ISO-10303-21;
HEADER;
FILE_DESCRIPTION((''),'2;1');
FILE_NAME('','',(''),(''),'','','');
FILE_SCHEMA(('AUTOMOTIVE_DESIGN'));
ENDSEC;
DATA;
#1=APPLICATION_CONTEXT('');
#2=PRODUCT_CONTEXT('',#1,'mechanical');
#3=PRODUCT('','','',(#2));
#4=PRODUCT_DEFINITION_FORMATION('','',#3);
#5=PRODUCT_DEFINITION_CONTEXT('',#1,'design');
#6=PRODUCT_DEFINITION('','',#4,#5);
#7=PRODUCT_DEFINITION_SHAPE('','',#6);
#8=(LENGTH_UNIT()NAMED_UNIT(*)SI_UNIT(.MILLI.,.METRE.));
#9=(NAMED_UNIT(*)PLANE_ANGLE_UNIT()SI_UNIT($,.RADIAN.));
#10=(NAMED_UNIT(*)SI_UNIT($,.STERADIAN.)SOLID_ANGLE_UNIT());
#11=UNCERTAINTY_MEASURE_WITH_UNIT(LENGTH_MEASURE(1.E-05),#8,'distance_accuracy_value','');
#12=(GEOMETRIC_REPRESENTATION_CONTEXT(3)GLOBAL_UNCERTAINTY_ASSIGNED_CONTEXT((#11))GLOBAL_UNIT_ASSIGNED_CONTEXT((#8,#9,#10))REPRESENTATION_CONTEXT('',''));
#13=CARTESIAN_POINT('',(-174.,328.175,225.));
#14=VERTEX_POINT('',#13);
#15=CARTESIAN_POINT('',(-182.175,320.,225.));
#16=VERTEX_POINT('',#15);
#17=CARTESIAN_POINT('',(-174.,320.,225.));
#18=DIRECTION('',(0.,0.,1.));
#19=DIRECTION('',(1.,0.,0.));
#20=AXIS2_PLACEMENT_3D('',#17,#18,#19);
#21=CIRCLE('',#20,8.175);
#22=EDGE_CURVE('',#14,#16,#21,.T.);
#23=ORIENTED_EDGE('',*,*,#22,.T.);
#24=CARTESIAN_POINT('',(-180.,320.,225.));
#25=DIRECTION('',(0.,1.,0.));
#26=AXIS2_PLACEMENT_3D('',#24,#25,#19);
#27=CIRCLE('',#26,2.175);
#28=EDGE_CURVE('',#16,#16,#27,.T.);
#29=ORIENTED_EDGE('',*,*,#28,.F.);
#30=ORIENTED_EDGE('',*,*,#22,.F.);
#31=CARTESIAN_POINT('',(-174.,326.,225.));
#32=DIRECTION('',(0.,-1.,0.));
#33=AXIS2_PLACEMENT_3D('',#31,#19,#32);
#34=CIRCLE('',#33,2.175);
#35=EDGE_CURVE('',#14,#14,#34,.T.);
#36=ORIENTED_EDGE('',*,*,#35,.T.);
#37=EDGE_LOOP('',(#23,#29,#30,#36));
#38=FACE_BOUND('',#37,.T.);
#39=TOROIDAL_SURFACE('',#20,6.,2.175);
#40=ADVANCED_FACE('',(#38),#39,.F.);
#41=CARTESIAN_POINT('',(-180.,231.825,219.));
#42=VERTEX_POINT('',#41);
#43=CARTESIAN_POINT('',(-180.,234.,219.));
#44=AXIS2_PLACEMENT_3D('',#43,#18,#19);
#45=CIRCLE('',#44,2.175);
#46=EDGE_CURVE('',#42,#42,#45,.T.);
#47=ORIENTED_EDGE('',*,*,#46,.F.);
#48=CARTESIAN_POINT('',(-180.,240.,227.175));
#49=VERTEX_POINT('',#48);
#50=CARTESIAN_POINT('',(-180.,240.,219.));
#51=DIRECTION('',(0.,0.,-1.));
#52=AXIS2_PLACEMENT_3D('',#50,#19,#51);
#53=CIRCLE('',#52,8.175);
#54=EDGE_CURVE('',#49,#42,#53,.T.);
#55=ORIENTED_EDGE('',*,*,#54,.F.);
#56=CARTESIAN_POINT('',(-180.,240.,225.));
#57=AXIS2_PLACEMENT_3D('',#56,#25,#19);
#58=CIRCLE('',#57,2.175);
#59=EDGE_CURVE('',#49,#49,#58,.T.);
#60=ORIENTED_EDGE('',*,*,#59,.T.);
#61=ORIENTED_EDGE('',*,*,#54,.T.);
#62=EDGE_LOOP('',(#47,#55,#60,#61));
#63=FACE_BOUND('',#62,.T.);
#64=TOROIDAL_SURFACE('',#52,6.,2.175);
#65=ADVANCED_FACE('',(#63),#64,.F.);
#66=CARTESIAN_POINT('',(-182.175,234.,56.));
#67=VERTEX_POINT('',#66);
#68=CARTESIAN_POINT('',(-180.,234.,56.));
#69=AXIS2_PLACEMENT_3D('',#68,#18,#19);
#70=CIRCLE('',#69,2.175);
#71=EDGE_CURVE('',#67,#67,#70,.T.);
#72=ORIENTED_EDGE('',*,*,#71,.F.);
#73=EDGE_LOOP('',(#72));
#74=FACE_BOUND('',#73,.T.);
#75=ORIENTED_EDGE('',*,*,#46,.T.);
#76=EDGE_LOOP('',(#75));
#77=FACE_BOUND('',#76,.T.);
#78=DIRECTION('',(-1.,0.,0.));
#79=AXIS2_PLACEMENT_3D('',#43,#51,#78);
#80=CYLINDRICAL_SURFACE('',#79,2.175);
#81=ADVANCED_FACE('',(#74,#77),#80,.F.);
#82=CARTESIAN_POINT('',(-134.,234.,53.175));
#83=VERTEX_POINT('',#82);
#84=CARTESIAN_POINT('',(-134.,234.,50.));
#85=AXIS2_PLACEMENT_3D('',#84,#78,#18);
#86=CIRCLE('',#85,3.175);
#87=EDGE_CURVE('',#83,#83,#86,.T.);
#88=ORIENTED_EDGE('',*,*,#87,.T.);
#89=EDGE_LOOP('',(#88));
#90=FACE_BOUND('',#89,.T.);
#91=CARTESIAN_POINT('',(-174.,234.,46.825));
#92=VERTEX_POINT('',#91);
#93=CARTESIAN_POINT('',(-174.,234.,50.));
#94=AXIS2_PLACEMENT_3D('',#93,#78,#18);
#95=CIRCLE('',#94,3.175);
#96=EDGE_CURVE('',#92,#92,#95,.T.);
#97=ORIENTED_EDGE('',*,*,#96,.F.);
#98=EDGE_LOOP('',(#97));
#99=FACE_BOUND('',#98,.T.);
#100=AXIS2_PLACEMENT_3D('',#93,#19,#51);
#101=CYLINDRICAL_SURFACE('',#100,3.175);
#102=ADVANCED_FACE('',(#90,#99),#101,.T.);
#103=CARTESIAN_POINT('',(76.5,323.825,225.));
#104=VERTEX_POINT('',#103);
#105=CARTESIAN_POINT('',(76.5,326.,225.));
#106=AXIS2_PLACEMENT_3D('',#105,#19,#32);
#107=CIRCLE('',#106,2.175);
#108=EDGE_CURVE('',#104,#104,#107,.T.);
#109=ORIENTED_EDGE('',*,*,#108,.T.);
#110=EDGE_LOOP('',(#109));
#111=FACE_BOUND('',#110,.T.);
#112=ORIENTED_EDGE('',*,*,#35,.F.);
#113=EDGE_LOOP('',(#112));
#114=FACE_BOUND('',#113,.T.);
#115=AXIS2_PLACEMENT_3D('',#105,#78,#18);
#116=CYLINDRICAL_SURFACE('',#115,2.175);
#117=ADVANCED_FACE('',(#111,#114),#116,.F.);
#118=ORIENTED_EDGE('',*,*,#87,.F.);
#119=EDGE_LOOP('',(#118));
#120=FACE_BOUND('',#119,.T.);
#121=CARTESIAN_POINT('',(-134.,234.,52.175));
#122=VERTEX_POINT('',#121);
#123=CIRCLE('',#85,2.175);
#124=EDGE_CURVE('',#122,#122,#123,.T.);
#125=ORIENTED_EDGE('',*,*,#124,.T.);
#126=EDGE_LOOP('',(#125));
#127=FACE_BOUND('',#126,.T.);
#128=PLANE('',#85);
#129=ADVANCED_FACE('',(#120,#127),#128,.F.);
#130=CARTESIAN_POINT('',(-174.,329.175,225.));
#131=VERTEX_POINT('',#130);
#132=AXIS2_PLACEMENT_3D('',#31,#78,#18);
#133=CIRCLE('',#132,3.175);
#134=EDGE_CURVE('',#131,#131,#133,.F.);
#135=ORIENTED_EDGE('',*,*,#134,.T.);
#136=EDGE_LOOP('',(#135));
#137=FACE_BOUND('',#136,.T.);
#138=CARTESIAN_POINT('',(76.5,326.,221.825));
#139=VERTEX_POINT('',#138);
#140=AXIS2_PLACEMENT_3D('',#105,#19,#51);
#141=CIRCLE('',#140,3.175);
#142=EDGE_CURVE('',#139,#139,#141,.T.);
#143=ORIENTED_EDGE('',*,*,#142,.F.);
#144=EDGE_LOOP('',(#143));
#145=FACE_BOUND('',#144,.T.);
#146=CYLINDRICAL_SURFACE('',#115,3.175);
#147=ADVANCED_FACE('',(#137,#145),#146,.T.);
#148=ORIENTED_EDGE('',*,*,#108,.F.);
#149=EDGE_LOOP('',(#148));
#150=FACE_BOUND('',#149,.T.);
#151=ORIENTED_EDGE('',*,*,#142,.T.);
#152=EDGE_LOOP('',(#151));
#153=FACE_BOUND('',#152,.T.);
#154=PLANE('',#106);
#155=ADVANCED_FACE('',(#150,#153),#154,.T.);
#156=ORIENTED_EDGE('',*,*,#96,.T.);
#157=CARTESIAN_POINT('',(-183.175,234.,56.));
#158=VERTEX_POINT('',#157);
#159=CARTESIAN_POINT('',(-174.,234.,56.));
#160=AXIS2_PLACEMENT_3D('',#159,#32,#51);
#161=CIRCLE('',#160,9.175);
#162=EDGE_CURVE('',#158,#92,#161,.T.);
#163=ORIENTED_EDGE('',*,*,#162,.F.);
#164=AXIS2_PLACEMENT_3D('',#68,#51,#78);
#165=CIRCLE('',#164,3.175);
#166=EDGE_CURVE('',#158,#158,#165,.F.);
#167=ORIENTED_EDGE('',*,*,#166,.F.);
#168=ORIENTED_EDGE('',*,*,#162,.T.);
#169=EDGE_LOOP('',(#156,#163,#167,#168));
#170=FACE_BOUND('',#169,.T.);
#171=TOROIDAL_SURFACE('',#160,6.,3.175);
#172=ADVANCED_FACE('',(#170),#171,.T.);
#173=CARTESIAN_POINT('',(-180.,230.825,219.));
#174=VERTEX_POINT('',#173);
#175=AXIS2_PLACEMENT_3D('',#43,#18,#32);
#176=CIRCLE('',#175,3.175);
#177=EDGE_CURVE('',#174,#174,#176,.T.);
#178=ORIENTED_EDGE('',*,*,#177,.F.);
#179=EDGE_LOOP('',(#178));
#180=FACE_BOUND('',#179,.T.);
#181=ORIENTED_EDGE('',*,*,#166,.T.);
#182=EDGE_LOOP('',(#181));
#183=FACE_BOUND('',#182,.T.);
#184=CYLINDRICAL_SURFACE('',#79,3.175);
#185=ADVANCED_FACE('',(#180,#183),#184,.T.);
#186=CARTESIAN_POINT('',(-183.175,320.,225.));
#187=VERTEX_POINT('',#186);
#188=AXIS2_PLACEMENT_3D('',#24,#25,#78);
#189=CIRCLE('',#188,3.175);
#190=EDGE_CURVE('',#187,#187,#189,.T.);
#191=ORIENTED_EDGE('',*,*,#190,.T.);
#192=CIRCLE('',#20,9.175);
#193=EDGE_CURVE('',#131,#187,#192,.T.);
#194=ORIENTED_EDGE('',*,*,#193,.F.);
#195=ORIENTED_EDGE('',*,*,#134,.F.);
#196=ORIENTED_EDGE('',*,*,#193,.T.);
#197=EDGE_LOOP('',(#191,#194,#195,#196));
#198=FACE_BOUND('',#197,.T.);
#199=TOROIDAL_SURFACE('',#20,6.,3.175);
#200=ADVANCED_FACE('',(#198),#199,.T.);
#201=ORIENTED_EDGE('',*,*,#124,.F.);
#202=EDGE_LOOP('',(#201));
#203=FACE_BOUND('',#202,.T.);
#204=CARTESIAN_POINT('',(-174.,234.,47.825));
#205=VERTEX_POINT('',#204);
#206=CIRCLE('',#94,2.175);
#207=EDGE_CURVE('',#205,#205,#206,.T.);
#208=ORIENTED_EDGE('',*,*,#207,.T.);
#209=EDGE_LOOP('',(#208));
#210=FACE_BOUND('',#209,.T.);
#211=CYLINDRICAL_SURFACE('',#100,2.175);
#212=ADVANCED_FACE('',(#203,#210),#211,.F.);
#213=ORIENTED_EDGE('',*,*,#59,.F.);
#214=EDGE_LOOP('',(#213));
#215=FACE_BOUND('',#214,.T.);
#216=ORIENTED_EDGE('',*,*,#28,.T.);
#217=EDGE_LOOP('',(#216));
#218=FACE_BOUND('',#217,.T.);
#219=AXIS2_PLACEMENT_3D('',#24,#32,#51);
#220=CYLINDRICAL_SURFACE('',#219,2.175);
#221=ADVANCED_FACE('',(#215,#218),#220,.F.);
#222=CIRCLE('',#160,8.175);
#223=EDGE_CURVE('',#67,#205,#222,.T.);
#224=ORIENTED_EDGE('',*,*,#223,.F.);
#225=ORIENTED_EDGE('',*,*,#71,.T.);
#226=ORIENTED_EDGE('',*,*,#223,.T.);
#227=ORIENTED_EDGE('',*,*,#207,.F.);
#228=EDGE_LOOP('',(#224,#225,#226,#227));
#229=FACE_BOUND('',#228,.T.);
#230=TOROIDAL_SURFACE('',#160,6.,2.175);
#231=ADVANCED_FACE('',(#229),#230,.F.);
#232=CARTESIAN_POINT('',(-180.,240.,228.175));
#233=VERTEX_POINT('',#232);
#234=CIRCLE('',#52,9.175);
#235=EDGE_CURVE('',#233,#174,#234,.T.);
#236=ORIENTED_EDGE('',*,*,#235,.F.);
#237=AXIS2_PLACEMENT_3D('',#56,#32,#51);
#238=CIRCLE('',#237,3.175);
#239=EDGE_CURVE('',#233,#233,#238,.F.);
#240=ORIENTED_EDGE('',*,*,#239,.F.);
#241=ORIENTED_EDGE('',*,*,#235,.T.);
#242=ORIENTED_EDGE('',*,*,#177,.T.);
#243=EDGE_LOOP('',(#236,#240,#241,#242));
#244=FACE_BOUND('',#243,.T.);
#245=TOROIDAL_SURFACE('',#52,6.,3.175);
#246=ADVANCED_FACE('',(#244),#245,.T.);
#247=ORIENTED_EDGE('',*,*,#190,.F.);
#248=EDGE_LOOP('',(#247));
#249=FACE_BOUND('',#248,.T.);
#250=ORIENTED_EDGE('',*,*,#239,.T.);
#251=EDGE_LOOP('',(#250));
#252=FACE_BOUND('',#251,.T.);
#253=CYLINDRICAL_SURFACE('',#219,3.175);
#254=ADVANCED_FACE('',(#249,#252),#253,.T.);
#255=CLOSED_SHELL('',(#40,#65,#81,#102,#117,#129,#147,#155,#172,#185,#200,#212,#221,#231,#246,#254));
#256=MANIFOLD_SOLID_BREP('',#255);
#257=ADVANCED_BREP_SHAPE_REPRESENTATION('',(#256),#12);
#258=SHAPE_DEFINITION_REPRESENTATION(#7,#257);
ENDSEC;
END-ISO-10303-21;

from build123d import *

# Parameters (mm, degrees)
TUBE_PROFILE_R   = 3.175
TUBE_PROFILE_R_2 = 2.175


with BuildPart() as part:
    # Tube: sweep along a curve in space
    with BuildLine() as tube_path:
        Line((76.5, 326, 225), (-174, 326, 225))
        ThreePointArc((-180, 320, 225), (-178.242640687, 324.242640687, 225), (-174, 326, 225))
        Line((-180, 320, 225), (-180, 240, 225))
        ThreePointArc((-180, 234, 219), (-180, 235.757359313, 223.242640687), (-180, 240, 225))
        Line((-180, 234, 219), (-180, 234, 56))
        ThreePointArc((-174, 234, 50), (-178.242640687, 234, 51.757359313), (-180, 234, 56))
        Line((-174, 234, 50), (-134, 234, 50))
    # Tube profile (on start of the path) → Tube (sweep)
    with BuildSketch(Plane(origin=(76.5, 326, 225), x_dir=(0, 0, -1), z_dir=(-1, 0, 0))):
        Circle(TUBE_PROFILE_R)
        Circle(TUBE_PROFILE_R_2, mode=Mode.SUBTRACT)
    sweep(path=tube_path.line)


solid = part.part
